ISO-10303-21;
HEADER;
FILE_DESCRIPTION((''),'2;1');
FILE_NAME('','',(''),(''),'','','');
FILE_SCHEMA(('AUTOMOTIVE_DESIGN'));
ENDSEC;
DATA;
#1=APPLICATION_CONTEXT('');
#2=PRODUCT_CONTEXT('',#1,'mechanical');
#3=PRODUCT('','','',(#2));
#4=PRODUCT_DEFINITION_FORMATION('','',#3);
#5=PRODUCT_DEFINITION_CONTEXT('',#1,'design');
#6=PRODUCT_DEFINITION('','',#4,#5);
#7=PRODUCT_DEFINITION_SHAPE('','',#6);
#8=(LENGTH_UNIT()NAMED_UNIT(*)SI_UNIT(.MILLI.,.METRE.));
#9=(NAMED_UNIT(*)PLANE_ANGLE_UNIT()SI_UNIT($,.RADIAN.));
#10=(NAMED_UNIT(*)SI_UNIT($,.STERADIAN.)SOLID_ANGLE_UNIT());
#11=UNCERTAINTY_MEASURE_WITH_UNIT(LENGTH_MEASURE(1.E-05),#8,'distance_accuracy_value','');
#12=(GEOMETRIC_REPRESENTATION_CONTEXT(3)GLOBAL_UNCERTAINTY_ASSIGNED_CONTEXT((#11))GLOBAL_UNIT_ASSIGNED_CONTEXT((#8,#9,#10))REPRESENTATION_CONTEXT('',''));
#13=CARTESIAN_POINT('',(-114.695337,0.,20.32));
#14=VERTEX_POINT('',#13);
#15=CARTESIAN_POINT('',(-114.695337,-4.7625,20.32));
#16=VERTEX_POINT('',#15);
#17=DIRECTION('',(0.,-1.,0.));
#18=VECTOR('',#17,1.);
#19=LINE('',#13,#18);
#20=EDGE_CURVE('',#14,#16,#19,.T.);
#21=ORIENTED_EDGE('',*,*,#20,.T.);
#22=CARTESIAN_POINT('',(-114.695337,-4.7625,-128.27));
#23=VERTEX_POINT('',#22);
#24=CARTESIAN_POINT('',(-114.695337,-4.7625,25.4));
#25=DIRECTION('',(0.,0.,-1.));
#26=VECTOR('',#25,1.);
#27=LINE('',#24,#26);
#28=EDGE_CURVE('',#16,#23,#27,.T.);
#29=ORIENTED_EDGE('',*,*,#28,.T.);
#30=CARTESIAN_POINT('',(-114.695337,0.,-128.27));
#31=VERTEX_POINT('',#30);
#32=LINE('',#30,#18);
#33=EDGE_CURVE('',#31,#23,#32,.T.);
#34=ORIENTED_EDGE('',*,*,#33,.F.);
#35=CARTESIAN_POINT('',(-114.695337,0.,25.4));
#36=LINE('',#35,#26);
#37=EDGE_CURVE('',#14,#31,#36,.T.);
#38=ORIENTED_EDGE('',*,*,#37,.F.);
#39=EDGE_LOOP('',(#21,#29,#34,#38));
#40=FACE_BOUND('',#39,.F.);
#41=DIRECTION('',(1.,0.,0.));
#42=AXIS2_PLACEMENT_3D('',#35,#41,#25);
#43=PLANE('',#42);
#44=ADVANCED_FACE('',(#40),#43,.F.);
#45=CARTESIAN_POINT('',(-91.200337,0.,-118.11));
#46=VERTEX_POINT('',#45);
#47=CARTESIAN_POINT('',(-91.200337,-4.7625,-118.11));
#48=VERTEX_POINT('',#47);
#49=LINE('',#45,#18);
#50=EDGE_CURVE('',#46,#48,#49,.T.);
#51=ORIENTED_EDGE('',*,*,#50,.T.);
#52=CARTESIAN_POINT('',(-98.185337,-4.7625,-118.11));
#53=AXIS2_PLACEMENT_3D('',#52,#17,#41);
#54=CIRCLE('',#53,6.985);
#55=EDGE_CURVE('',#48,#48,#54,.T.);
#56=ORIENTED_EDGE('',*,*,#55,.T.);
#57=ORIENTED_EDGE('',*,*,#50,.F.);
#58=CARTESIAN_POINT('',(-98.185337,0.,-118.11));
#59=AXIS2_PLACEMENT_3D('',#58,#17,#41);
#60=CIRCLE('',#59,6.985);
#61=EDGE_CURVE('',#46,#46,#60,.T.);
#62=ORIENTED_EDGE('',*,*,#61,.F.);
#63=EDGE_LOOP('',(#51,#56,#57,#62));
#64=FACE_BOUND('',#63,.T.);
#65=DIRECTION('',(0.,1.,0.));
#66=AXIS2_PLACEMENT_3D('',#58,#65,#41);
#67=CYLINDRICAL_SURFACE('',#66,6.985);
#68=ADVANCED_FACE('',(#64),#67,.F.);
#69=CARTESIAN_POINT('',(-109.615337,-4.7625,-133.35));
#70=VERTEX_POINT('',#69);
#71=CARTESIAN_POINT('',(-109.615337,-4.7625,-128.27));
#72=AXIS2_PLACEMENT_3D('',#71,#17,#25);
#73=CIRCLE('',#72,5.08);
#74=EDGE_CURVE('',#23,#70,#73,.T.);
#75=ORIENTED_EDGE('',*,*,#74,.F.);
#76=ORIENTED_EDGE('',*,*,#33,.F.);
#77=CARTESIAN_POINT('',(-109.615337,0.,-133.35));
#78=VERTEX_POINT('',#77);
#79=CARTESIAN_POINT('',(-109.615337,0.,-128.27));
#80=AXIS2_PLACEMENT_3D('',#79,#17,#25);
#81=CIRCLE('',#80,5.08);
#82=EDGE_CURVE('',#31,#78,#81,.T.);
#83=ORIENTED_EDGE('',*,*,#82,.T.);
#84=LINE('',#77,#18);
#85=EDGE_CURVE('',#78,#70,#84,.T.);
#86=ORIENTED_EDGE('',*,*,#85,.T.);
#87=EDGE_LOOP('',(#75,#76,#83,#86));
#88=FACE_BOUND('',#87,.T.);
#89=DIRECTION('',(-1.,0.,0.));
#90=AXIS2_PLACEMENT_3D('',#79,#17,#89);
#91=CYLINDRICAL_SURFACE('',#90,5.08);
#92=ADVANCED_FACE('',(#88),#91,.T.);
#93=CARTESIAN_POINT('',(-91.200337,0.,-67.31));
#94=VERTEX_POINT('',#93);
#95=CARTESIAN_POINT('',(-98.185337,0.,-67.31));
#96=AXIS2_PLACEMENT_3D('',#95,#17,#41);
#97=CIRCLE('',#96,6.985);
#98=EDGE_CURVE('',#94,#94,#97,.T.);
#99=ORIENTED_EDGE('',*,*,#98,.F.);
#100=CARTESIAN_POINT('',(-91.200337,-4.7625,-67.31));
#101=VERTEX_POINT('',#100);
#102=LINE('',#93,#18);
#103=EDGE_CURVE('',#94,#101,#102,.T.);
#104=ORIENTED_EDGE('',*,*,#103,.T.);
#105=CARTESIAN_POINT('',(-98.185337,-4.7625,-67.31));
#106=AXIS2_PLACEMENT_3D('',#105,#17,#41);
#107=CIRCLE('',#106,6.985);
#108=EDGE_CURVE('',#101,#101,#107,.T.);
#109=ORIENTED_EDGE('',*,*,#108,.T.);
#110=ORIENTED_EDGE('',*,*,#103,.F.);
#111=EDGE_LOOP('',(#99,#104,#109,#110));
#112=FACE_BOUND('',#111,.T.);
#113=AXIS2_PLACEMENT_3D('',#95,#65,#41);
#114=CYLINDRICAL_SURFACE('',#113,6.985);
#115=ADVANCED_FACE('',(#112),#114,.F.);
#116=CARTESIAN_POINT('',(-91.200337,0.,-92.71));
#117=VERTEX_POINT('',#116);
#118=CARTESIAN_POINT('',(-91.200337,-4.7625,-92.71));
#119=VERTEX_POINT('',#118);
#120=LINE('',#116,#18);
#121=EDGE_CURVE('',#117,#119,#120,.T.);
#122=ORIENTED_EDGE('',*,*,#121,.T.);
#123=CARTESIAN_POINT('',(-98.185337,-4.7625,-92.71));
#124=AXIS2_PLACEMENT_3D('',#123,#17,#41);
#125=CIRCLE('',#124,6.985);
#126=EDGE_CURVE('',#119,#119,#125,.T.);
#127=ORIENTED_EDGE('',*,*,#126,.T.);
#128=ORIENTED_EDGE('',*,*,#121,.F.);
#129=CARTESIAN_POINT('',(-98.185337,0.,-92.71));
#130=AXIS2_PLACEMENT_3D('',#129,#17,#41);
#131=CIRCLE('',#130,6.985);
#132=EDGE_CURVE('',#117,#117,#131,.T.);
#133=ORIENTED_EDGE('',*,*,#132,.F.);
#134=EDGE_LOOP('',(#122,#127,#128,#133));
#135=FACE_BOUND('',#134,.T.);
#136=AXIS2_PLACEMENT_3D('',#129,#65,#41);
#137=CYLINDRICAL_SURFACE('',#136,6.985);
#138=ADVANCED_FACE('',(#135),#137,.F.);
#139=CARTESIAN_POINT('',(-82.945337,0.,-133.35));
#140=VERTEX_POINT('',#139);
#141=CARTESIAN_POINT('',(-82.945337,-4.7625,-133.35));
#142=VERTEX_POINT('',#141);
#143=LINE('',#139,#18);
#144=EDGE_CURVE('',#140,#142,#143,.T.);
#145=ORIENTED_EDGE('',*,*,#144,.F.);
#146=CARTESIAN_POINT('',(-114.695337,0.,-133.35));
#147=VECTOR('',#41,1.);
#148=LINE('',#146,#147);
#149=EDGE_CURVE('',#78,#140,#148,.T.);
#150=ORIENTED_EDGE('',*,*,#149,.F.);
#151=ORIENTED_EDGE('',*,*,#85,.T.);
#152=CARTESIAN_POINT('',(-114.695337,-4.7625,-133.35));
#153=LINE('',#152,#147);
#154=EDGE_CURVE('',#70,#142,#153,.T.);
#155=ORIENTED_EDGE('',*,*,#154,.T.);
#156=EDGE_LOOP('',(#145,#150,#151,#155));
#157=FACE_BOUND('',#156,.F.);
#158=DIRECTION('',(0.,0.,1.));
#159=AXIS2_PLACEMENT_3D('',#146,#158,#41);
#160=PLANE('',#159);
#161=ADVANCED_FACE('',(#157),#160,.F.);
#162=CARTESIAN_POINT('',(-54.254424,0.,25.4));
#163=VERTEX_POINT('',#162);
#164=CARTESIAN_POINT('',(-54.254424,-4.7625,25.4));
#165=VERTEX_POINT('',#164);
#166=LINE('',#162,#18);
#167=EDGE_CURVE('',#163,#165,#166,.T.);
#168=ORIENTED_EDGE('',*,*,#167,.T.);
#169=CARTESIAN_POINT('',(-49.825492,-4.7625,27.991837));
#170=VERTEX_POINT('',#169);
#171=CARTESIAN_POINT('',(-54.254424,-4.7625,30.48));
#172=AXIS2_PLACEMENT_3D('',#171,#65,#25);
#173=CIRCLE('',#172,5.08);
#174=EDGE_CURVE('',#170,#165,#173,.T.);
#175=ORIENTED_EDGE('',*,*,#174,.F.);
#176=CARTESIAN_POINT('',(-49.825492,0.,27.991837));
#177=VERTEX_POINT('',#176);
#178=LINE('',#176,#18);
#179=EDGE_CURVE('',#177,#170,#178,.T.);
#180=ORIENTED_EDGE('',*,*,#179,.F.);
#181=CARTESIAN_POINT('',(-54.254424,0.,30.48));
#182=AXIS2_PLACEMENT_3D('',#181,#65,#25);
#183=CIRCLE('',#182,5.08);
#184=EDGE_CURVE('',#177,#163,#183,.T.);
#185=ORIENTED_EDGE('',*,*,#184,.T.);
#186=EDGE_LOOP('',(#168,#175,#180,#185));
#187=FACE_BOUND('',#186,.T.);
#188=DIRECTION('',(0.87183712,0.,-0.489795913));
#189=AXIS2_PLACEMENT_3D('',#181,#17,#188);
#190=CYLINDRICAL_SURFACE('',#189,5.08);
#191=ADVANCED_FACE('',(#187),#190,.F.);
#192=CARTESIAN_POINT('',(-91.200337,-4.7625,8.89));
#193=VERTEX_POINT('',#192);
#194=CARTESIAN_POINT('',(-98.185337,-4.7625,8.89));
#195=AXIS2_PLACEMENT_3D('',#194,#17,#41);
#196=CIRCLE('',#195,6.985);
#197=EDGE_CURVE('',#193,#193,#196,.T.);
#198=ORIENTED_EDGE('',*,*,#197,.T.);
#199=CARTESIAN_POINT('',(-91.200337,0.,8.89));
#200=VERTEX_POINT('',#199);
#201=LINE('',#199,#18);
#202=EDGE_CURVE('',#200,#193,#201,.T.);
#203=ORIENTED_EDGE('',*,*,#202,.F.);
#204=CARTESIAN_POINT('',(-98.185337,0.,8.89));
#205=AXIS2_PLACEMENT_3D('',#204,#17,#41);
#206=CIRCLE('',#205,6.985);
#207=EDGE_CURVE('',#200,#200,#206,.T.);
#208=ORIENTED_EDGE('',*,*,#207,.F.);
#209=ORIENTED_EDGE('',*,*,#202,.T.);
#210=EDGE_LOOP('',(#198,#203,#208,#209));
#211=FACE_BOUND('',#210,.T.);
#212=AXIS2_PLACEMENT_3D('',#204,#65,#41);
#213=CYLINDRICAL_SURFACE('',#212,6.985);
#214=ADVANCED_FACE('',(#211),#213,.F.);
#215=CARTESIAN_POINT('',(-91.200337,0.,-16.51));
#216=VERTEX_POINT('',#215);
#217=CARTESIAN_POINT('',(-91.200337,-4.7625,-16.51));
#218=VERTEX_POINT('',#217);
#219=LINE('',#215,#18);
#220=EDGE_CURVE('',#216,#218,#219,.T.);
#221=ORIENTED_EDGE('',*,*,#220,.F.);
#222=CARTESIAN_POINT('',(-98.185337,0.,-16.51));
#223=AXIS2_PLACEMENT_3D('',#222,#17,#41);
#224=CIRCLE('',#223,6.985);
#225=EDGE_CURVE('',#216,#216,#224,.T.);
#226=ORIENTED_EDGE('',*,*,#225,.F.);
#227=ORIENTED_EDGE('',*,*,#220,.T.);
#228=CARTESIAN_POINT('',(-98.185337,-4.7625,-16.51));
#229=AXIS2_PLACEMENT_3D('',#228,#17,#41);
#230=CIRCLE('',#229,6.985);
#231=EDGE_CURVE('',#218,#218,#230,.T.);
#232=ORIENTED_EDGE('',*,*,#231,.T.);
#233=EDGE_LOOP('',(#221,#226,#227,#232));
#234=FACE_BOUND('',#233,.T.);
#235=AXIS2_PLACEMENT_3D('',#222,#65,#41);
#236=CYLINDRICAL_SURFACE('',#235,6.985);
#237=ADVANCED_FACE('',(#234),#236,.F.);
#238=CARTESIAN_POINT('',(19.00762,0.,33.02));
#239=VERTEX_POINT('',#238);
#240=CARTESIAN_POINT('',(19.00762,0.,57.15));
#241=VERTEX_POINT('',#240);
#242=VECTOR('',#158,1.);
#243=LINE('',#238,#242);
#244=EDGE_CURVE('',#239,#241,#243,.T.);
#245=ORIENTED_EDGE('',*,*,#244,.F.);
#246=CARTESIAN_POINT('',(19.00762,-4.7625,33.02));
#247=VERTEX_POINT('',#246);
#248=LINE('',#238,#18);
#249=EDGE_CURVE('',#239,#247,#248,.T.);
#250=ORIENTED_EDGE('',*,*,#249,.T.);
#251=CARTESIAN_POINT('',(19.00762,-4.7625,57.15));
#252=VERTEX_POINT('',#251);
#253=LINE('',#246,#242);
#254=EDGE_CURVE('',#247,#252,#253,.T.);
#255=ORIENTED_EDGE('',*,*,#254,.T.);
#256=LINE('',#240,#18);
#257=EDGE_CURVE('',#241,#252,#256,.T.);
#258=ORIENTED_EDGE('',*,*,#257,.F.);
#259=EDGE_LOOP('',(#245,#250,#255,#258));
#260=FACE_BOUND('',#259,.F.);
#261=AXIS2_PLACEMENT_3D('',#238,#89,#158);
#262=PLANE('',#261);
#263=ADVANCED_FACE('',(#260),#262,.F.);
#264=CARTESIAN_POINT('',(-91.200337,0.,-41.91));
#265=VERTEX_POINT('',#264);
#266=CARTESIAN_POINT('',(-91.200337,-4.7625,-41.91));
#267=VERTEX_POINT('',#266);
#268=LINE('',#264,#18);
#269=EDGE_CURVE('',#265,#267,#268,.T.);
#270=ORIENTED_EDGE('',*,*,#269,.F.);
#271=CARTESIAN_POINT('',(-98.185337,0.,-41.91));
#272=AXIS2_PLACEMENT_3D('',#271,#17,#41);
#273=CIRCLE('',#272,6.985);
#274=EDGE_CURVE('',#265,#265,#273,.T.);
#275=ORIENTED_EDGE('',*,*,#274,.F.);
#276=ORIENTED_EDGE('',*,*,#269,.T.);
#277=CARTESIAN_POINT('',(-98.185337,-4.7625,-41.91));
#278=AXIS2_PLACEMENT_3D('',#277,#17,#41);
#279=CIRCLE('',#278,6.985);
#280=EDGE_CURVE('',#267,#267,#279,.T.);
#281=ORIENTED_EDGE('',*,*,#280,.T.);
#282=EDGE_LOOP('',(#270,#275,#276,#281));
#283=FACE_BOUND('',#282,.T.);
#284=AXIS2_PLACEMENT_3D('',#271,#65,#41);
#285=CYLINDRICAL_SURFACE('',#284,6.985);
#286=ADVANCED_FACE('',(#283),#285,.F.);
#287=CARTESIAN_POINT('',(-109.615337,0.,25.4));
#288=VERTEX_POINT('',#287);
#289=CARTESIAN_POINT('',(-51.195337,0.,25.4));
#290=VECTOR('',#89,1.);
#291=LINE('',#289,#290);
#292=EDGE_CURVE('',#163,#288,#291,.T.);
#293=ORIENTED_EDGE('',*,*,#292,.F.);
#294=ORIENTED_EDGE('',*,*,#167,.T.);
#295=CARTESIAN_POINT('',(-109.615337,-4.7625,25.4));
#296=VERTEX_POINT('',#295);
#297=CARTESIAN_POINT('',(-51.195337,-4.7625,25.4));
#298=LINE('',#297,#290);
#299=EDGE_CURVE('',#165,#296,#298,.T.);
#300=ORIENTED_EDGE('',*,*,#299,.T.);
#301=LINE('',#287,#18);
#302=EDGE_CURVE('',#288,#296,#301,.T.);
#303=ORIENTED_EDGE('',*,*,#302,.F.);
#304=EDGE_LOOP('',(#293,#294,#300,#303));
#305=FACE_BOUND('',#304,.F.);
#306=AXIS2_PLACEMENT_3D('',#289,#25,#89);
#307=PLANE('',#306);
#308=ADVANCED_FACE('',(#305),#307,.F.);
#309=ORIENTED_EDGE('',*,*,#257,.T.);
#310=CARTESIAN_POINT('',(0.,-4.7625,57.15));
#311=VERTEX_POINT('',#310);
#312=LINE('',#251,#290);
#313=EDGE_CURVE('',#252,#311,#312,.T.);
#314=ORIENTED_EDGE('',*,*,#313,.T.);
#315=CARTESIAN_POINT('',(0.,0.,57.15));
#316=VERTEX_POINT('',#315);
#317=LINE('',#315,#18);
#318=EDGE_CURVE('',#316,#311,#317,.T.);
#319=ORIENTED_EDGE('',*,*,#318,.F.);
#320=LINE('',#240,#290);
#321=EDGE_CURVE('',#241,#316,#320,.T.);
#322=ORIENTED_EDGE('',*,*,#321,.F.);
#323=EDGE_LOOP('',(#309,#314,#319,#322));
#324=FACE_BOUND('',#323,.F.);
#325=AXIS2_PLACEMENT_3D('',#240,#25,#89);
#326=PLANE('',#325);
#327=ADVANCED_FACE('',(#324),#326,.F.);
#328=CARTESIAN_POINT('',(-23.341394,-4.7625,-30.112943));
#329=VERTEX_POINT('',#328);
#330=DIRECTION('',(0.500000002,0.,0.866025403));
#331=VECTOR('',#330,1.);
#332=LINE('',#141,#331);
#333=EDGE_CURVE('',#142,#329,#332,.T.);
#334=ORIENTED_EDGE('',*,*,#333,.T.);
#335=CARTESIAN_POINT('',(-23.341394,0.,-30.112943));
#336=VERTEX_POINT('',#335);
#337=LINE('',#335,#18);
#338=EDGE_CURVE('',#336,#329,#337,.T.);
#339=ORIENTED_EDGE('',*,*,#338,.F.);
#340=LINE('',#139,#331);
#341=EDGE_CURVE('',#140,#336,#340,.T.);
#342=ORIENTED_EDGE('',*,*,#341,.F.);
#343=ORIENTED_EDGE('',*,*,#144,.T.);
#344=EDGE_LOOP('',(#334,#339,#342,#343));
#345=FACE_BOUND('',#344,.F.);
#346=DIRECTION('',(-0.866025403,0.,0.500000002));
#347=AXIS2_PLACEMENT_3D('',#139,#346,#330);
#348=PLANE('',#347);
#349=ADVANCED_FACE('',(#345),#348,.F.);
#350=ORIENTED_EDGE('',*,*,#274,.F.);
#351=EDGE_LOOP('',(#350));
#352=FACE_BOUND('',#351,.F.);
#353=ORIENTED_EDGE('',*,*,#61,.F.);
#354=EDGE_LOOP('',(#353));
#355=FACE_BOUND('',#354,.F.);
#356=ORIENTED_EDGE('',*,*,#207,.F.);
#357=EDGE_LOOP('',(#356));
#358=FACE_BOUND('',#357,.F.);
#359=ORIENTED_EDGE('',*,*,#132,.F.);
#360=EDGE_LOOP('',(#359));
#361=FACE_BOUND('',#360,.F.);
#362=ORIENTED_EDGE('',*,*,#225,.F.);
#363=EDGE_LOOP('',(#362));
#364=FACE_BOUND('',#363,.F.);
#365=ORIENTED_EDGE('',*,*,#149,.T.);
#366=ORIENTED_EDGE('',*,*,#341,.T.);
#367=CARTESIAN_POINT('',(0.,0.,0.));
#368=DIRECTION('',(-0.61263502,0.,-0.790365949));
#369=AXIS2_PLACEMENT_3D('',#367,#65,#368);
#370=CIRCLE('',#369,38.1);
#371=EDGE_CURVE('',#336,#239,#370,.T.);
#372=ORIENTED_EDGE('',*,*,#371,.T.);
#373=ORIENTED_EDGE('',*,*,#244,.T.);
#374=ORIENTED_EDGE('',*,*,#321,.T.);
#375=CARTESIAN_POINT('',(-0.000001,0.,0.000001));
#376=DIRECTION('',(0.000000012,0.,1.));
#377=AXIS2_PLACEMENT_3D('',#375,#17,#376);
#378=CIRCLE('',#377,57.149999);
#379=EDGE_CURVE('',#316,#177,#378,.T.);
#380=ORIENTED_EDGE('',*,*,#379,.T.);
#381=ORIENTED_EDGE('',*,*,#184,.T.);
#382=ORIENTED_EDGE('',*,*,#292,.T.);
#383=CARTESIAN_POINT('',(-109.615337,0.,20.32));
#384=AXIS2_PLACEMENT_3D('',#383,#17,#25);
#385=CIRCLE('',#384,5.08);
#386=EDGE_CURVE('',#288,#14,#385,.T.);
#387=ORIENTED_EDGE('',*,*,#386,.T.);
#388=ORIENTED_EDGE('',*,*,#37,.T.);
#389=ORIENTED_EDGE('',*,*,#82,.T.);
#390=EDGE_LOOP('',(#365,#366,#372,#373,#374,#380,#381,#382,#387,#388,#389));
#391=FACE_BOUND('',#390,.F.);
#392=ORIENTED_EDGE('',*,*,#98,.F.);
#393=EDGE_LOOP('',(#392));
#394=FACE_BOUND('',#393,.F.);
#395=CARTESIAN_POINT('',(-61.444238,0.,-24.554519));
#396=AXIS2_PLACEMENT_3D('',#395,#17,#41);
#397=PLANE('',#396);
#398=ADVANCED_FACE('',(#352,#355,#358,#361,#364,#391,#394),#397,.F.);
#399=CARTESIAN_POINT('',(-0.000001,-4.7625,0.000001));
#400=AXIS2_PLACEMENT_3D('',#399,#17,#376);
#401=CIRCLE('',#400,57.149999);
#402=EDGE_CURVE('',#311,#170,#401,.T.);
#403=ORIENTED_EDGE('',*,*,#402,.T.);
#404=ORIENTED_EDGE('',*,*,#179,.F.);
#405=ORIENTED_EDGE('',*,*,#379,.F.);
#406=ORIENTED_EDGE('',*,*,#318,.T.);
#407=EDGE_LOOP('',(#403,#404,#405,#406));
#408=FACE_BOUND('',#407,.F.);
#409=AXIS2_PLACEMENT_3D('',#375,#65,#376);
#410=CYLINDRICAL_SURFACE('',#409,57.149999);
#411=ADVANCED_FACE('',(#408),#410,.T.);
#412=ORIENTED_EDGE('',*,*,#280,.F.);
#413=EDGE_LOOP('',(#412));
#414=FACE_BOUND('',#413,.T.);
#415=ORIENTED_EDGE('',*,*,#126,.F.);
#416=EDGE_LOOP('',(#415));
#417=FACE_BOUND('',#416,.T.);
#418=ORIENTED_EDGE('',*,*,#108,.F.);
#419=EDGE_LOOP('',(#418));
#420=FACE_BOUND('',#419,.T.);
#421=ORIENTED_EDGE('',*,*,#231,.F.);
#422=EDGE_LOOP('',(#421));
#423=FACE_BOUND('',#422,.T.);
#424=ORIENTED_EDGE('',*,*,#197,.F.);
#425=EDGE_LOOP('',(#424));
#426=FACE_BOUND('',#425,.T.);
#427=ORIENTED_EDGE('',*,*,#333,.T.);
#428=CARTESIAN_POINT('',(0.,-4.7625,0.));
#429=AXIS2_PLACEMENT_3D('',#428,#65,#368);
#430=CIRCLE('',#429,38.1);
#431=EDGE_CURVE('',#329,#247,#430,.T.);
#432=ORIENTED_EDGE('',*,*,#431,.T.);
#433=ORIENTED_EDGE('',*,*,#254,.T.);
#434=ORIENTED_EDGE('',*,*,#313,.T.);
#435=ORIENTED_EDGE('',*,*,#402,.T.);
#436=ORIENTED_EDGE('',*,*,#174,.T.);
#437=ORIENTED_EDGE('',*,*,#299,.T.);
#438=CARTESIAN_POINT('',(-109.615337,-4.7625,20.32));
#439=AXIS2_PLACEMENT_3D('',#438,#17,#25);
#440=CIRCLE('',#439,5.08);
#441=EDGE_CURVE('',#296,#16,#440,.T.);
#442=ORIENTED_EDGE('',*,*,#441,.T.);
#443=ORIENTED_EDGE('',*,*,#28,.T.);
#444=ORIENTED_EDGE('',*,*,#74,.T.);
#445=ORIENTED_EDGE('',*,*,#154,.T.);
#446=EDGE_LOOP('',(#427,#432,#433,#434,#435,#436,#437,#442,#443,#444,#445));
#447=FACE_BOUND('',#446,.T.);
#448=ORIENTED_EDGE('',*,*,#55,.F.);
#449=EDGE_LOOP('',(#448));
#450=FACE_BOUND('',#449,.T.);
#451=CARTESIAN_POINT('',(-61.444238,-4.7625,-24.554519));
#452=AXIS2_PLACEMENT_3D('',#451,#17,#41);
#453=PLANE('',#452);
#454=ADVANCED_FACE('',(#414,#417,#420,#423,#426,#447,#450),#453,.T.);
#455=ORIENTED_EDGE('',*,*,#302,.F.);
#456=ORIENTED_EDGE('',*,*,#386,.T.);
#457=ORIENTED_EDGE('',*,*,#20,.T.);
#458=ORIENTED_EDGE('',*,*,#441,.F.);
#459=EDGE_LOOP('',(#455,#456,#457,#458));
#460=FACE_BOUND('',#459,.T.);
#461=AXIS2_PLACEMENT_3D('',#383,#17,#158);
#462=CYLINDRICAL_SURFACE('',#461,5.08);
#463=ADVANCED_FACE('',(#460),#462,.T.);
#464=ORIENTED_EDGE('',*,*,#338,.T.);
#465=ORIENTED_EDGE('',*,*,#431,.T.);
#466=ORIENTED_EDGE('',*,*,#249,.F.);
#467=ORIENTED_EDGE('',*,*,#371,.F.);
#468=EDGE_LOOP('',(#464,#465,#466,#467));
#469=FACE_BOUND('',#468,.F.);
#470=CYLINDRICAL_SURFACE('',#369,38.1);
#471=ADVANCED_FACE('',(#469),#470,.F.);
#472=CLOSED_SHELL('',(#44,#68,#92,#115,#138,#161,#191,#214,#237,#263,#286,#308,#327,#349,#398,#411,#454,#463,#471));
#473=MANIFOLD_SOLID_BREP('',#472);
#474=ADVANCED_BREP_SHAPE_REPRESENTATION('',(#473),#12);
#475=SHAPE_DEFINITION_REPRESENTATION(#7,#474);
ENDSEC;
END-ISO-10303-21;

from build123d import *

# Parameters (mm, degrees)
F0_R     = 6.985
F1_DEPTH = 4.7625
F2_R     = 5.08


with BuildPart() as f1:
    # F0 (on Front) → F1 (new body)
    with BuildSketch(Plane.XZ):
        with BuildLine():
            Line((19.00762, 57.15), (0, 57.15))
            ThreePointArc((0, 57.15), (-30.120695, 48.568161), (-51.195337, 25.4))
            Line((-51.195337, 25.4), (-114.695337, 25.4))
            Line((-114.695337, 25.4), (-114.695337, -133.35))
            Line((-114.695337, -133.35), (-82.945337, -133.35))
            Line((-82.945337, -133.35), (-23.341394, -30.112943))
            ThreePointArc((-23.341394, -30.112943), (-31.640757, 21.224337), (19.00762, 33.02))
            Line((19.00762, 33.02), (19.00762, 57.15))
        make_face()
        with Locations((-98.185337, -118.11)):
            Circle(F0_R, mode=Mode.SUBTRACT)
        with Locations((-98.185337, -92.71)):
            Circle(F0_R, mode=Mode.SUBTRACT)
        with Locations((-98.185337, -67.31)):
            Circle(F0_R, mode=Mode.SUBTRACT)
        with Locations((-98.185337, -41.91)):
            Circle(F0_R, mode=Mode.SUBTRACT)
        with Locations((-98.185337, -16.51)):
            Circle(F0_R, mode=Mode.SUBTRACT)
        with Locations((-98.185337, 8.89)):
            Circle(F0_R, mode=Mode.SUBTRACT)
    extrude(amount=F1_DEPTH)

    # F2
    f2_edges = [f1.edges().sort_by_distance(p)[0] for p in [
        (-51.195337, -2.38125, 25.4),
        (-114.695337, -2.38125, -133.35),
        (-114.695337, -2.38125, 25.4),
    ]]
    fillet(f2_edges, radius=F2_R)


solid = f1.part
